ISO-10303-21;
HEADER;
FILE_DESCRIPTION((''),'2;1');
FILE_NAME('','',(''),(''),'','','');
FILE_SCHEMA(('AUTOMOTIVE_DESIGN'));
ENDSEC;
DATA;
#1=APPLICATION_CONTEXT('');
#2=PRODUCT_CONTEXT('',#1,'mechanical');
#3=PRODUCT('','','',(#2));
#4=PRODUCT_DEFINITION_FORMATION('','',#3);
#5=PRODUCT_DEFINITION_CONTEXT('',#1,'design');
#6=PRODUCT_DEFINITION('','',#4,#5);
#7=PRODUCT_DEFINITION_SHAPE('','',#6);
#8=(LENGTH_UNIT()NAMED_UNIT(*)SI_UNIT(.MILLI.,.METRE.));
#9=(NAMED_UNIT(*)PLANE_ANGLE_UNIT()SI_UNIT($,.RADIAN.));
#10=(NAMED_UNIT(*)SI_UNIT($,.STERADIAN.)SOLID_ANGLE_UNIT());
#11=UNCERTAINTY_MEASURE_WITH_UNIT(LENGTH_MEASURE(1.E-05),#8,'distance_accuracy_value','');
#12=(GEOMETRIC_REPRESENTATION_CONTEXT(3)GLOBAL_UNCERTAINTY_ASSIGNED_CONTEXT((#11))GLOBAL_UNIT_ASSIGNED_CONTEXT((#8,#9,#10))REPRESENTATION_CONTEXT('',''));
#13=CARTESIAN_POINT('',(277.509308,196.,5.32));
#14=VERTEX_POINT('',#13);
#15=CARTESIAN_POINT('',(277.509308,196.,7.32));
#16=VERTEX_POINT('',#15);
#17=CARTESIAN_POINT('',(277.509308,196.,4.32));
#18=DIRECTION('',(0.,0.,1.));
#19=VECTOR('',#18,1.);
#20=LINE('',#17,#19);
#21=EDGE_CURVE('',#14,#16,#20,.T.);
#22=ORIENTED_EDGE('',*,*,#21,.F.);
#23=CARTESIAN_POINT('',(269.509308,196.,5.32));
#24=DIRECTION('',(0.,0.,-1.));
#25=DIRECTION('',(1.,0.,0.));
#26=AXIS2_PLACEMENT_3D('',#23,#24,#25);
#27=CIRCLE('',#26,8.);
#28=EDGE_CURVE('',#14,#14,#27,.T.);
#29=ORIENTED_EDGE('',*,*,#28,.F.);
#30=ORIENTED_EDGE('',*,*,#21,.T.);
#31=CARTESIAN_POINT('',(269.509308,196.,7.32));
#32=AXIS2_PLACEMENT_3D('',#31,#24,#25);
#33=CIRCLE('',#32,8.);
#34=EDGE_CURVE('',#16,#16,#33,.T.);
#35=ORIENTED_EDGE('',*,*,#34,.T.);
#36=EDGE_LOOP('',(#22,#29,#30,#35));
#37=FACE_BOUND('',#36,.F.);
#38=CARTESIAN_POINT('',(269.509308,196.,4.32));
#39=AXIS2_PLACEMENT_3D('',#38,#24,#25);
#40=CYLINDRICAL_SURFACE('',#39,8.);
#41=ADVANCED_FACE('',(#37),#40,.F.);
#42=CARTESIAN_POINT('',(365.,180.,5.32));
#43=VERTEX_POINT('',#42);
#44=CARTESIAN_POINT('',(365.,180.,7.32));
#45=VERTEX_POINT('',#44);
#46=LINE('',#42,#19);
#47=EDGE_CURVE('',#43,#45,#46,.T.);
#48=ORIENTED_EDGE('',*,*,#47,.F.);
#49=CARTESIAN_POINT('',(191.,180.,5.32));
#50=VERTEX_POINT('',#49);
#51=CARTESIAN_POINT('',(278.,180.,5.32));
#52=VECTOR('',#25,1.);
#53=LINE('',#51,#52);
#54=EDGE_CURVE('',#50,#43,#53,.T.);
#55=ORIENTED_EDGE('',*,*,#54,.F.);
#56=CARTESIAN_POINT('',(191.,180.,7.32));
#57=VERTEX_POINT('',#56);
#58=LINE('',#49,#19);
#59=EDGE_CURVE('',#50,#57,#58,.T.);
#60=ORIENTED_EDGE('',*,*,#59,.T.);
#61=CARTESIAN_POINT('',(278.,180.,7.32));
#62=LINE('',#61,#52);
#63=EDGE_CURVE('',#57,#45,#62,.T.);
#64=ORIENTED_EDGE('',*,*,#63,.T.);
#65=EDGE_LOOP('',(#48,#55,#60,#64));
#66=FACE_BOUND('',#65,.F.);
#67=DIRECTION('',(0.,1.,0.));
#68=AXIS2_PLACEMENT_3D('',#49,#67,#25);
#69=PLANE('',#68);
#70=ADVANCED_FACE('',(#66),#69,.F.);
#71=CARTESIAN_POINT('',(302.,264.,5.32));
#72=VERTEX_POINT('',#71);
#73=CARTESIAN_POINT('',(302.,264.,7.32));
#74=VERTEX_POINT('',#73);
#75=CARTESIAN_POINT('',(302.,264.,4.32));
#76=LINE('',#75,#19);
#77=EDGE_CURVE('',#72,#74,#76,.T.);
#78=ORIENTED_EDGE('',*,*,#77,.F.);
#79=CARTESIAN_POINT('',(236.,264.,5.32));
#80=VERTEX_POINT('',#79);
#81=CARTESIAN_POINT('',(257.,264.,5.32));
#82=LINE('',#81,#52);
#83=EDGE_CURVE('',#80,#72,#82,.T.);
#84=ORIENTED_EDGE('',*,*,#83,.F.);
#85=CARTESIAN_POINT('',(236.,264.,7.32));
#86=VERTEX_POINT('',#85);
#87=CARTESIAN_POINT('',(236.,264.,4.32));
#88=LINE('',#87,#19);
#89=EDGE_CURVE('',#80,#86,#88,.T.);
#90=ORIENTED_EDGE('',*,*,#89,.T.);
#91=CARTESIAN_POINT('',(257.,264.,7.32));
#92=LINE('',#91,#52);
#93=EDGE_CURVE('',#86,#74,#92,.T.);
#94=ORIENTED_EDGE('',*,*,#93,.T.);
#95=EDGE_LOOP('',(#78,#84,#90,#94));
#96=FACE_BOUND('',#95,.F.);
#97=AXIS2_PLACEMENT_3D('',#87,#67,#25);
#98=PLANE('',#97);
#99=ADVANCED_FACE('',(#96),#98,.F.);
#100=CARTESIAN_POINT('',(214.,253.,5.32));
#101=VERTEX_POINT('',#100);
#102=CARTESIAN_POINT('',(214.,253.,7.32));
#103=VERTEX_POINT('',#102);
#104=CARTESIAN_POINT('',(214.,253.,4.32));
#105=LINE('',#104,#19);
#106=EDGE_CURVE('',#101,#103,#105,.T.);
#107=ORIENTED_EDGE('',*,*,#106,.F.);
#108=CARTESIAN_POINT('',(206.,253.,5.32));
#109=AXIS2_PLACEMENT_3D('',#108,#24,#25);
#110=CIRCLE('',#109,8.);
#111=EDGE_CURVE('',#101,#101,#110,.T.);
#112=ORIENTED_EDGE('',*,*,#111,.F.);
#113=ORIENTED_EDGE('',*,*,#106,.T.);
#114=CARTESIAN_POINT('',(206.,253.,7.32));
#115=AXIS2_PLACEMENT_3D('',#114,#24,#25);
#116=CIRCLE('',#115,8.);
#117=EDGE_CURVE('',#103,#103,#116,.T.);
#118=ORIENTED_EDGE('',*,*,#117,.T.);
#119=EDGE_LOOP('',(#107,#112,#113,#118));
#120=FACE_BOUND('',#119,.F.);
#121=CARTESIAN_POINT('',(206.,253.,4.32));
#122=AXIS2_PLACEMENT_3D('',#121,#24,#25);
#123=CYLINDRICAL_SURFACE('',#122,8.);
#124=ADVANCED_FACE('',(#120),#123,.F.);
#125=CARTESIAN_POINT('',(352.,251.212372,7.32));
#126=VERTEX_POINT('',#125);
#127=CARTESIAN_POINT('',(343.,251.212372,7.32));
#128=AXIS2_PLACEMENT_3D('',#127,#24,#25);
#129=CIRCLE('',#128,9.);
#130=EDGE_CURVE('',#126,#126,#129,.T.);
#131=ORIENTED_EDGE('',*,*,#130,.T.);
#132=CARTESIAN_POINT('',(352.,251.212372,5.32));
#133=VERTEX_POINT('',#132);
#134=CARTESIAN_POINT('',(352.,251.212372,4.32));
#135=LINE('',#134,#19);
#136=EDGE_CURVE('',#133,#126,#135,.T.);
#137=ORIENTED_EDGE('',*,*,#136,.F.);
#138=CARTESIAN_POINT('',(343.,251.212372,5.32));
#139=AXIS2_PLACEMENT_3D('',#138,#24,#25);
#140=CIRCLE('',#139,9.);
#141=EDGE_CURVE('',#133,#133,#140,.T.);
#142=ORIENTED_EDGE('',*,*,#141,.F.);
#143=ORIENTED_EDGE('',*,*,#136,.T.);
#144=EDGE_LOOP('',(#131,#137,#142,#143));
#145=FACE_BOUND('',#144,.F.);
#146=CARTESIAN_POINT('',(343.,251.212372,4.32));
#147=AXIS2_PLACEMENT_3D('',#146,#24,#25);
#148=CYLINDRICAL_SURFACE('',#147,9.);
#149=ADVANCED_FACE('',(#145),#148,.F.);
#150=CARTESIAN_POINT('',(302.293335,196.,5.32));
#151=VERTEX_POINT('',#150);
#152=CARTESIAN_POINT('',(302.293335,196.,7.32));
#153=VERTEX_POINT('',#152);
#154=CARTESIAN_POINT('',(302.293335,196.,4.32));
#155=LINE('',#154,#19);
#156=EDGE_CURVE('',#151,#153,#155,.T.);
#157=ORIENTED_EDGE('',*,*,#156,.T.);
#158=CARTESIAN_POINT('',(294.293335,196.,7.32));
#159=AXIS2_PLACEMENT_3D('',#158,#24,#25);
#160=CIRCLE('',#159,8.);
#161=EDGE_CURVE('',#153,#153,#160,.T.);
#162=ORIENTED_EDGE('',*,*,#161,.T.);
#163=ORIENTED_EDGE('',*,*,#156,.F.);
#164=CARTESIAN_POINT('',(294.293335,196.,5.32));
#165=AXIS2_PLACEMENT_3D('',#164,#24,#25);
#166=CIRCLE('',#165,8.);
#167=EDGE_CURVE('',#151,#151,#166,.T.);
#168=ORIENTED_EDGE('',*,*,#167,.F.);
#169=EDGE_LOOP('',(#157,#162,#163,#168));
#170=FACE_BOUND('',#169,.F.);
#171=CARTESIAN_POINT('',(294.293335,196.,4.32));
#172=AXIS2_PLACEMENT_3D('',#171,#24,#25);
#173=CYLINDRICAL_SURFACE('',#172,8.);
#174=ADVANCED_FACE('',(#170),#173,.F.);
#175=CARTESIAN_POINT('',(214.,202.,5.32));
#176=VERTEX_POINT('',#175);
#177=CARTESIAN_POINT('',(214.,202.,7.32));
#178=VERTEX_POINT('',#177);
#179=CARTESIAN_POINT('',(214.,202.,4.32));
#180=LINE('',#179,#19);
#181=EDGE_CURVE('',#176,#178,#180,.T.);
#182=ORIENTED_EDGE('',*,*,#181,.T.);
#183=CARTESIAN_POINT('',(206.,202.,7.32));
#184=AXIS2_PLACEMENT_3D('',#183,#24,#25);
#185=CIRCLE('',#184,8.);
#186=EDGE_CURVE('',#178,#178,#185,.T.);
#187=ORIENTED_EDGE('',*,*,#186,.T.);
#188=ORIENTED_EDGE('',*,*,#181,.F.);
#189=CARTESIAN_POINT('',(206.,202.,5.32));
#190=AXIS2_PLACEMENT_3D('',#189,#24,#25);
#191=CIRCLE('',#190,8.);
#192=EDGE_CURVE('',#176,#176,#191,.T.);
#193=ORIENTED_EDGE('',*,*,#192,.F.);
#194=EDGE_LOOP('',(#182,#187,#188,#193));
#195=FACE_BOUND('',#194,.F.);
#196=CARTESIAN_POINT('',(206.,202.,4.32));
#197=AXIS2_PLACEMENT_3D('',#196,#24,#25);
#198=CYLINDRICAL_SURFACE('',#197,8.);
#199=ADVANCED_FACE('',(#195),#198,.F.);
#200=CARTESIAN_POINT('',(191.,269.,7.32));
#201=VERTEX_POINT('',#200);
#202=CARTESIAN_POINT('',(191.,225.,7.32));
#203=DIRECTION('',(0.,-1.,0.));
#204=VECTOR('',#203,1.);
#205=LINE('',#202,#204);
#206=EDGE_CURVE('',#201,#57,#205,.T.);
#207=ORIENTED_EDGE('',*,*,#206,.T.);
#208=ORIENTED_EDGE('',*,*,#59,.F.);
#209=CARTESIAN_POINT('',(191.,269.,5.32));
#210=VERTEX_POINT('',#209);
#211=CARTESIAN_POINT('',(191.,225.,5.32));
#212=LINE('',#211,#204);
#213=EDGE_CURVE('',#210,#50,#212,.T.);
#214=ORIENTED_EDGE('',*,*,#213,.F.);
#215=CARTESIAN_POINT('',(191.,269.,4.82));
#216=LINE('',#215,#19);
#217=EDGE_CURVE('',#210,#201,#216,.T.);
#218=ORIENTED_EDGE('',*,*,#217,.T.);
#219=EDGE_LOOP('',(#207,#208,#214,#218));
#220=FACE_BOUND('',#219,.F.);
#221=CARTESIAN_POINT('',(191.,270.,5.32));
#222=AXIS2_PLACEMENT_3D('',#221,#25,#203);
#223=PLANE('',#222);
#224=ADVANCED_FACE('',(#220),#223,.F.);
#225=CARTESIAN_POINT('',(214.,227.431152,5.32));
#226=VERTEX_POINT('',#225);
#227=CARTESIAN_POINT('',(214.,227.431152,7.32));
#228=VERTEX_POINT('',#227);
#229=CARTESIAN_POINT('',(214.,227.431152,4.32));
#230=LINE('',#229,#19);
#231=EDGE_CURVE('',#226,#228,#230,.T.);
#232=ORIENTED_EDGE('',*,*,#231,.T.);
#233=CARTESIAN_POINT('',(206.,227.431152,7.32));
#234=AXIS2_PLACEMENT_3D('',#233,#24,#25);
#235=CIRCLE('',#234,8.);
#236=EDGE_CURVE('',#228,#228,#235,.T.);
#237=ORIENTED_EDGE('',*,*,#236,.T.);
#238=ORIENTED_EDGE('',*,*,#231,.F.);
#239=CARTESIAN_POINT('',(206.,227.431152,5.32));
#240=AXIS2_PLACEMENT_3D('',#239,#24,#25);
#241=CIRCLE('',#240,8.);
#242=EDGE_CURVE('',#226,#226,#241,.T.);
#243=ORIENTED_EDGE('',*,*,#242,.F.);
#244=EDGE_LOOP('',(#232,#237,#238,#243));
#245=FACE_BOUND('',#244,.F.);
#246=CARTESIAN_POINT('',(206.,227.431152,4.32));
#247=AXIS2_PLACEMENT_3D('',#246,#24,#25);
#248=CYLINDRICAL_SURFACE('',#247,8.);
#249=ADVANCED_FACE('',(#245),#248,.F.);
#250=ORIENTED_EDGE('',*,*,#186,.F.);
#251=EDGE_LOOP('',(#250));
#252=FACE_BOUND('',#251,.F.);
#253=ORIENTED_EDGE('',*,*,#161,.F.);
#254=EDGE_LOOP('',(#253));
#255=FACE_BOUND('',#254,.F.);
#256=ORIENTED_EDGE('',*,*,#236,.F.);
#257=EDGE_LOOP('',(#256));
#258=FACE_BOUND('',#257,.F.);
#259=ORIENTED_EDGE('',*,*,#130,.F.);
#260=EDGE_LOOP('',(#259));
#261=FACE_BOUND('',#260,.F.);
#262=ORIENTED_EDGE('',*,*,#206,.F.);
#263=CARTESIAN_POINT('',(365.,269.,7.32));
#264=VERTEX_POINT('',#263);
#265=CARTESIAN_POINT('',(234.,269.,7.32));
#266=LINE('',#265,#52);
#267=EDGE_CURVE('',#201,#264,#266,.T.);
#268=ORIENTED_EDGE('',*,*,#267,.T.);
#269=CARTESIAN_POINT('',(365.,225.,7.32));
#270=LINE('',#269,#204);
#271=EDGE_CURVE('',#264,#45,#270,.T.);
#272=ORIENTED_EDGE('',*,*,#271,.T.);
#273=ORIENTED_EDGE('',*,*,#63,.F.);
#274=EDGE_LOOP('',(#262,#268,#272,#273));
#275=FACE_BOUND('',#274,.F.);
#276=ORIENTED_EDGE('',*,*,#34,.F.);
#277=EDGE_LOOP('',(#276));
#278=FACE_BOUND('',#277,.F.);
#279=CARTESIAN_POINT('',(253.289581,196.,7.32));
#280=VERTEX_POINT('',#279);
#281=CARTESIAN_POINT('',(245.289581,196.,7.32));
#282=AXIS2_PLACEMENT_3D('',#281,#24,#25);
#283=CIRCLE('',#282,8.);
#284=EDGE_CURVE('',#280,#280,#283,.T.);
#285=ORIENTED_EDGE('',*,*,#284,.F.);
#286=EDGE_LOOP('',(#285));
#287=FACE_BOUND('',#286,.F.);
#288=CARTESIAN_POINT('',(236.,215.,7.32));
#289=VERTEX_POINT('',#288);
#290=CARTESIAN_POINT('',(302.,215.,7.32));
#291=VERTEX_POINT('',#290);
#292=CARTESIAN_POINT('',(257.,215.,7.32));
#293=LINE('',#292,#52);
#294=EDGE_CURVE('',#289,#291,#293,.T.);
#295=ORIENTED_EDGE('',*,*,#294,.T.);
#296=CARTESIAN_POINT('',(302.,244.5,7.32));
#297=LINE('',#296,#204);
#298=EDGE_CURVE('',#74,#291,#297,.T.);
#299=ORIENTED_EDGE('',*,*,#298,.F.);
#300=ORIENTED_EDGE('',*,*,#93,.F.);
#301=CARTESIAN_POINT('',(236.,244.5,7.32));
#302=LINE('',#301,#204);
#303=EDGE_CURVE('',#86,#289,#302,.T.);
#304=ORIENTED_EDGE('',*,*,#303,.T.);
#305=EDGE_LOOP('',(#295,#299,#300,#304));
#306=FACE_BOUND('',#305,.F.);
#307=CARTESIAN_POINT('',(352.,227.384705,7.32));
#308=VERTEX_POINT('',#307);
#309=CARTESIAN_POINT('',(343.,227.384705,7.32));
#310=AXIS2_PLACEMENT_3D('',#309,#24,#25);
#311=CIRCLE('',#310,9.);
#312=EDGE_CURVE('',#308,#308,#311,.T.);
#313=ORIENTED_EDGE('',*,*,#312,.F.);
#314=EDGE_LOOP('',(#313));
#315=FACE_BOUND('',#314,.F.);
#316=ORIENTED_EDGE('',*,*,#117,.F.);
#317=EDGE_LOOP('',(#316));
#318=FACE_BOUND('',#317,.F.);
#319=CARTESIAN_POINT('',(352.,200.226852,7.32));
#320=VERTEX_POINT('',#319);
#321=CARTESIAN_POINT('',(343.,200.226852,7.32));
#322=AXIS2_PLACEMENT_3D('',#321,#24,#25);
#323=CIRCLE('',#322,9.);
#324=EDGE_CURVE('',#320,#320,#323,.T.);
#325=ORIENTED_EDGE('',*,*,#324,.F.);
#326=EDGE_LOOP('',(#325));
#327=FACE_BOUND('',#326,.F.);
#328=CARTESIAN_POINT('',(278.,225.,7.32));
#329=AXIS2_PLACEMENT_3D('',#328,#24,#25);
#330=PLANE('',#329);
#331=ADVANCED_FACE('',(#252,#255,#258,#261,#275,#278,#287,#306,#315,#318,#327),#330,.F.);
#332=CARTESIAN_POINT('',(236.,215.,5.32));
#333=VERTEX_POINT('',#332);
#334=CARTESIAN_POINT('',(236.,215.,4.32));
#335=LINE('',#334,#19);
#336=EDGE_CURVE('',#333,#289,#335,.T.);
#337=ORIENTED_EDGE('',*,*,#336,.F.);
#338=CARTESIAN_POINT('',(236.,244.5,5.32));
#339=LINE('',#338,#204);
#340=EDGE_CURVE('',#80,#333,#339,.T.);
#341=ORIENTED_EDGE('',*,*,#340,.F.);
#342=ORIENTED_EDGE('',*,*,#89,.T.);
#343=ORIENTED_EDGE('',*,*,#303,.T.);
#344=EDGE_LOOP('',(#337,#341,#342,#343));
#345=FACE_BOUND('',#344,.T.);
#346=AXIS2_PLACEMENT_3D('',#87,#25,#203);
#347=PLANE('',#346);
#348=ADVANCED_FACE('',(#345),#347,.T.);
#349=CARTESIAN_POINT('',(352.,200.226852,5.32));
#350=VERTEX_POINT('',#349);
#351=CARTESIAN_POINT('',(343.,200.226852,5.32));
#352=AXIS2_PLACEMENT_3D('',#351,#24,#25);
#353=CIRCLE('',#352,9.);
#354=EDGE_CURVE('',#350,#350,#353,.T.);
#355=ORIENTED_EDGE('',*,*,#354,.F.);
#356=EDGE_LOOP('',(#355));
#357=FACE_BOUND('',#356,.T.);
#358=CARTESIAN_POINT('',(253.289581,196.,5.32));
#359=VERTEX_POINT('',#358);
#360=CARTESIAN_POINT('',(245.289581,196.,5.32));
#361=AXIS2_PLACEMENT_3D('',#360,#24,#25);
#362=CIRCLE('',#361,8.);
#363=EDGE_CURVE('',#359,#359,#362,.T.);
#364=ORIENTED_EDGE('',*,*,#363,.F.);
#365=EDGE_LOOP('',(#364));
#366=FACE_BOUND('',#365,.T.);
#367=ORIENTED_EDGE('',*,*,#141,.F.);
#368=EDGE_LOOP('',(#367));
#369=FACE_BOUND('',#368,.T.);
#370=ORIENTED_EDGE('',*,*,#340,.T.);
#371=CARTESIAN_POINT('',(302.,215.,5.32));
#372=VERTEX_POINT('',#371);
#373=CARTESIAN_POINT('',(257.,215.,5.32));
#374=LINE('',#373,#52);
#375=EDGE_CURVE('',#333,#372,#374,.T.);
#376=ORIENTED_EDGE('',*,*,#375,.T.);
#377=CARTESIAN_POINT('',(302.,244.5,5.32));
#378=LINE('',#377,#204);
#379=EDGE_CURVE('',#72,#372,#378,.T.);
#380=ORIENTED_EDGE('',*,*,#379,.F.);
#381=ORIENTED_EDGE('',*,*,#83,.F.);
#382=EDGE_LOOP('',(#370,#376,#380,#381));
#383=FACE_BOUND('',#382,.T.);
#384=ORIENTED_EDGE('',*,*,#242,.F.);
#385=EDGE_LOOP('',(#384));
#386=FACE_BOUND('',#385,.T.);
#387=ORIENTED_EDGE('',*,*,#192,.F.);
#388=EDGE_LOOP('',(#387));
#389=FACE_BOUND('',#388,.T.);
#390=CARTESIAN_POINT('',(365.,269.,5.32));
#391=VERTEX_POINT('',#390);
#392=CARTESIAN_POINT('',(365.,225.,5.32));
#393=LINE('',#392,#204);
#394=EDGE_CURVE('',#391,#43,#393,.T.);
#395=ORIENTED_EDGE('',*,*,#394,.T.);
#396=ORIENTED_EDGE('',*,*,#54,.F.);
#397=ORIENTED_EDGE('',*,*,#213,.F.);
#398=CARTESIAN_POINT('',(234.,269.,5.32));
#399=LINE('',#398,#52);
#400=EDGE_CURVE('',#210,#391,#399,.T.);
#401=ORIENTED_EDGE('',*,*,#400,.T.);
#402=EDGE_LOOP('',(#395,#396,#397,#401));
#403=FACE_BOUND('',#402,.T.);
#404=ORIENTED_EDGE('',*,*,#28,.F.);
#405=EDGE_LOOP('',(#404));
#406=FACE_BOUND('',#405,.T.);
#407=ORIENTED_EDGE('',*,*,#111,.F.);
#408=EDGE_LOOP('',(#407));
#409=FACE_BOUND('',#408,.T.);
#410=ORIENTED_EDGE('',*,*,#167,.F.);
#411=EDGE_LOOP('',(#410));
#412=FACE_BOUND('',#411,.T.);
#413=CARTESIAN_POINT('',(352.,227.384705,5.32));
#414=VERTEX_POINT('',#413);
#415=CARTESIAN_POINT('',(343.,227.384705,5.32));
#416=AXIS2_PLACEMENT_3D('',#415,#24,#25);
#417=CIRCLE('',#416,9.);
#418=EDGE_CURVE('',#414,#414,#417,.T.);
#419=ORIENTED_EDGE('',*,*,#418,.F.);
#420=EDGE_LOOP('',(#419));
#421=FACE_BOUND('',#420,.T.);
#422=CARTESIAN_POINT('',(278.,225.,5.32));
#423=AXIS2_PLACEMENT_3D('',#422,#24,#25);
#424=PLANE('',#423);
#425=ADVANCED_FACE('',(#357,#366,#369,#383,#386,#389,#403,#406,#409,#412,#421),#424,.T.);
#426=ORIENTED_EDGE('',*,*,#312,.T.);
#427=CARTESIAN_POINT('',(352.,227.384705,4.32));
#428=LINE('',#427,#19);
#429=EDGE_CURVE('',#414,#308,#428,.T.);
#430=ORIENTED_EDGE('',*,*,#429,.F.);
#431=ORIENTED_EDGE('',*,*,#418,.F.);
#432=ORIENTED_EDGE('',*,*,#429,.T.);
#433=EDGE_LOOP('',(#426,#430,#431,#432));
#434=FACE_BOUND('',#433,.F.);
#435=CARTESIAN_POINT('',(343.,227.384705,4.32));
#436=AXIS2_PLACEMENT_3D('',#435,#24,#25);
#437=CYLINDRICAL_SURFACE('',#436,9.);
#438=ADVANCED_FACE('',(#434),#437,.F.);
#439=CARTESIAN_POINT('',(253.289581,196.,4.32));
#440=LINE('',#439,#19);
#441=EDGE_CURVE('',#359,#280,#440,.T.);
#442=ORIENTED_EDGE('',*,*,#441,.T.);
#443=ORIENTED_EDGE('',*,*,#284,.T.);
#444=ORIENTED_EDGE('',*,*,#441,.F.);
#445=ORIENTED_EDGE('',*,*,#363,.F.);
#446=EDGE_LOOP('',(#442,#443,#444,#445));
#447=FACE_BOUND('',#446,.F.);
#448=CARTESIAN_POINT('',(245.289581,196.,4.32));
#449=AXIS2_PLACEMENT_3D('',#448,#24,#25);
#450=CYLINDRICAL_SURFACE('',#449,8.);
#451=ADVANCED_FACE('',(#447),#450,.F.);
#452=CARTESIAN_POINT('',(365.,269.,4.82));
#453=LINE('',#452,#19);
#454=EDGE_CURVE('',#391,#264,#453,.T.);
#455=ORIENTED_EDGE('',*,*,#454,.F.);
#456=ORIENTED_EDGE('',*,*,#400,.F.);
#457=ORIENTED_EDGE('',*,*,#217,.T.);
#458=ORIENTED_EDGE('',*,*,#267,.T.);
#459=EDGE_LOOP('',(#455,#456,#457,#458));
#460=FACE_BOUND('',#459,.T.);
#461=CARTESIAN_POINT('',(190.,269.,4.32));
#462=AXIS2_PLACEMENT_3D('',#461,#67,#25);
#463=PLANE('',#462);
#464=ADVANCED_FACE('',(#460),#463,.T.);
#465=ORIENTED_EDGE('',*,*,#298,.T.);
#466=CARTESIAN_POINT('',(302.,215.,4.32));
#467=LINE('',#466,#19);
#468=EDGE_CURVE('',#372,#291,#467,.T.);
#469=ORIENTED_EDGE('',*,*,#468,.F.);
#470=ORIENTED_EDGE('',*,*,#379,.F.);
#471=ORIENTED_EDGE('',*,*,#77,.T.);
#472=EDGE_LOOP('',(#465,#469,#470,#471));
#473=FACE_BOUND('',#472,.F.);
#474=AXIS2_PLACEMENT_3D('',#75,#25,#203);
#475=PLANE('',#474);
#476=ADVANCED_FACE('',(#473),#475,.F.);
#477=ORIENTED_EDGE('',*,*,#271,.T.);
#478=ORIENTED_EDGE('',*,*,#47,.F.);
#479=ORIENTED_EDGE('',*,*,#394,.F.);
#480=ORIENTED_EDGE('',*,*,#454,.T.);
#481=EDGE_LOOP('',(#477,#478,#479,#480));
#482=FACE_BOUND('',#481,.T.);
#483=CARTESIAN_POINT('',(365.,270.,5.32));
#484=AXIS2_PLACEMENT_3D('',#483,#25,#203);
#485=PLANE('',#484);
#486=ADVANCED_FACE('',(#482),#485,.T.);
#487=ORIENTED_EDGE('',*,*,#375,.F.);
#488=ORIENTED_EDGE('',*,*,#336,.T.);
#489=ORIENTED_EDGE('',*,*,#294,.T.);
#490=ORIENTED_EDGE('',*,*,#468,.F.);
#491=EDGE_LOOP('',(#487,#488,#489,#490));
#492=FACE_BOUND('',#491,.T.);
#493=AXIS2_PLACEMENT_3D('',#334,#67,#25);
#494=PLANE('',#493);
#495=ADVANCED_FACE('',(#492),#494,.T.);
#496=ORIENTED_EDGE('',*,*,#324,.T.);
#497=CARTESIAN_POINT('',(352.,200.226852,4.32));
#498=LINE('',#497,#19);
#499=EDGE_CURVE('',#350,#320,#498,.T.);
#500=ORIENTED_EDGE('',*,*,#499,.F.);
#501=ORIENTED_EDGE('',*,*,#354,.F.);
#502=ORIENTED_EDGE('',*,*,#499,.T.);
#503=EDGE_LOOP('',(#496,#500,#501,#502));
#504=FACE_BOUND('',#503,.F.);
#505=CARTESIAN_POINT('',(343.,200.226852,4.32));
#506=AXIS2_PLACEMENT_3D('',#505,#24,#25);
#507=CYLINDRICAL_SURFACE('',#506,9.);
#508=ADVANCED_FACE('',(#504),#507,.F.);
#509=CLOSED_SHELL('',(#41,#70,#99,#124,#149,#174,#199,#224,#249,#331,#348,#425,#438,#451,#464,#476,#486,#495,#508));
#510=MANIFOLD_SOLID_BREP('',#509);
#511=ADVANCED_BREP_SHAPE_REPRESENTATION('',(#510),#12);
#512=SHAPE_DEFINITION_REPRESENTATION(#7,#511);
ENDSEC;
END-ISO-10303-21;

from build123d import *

# Parameters (mm, degrees)
SKETCH153_W      = 176
SKETCH153_H      = 2.5
EXTRUDE139_DEPTH = 4
SKETCH163_R      = 8
SKETCH163_R_2    = 9
EXTRUDE145_DEPTH = 4
SKETCH034_W      = 66
SKETCH034_H      = 49
EXTRUDE028_DEPTH = 4
SKETCH148_W      = 174
SKETCH148_H      = 90
EXTRUDE136_DEPTH = 2


with BuildPart() as clamshell:
    # Sketch153 → Extrude139 (new body)
    with BuildSketch(Plane(origin=(0, 0, 4.32), x_dir=(1, 0, 0), z_dir=(0, 0, -1))):
        with Locations((278, -270.25)):
            Rectangle(SKETCH153_W, SKETCH153_H)
    extrude(amount=-EXTRUDE139_DEPTH)


with BuildPart() as extrude145:
    # Sketch163 → Extrude145 (new body)
    with BuildSketch(Plane(origin=(0, 0, 4.32), x_dir=(1, 0, 0), z_dir=(0, 0, -1))):
        with Locations((206, -202)):
            Circle(SKETCH163_R)
        with Locations((206, -227.431152)):
            Circle(SKETCH163_R)
        with Locations((206, -253)):
            Circle(SKETCH163_R)
        with Locations((343, -200.226852)):
            Circle(SKETCH163_R_2)
        with Locations((343, -227.384705)):
            Circle(SKETCH163_R_2)
        with Locations((343, -251.212372)):
            Circle(SKETCH163_R_2)
        with Locations((245.289581, -196)):
            Circle(SKETCH163_R)
        with Locations((269.509308, -196)):
            Circle(SKETCH163_R)
        with Locations((294.293335, -196)):
            Circle(SKETCH163_R)
    extrude(amount=-EXTRUDE145_DEPTH)


with BuildPart() as bottom_holes:
    # Sketch034 → Extrude028 (new body)
    with BuildSketch(Plane(origin=(0, 0, 4.32), x_dir=(1, 0, 0), z_dir=(0, 0, -1))):
        with Locations((269, -239.5)):
            Rectangle(SKETCH034_W, SKETCH034_H)
    extrude(amount=-EXTRUDE028_DEPTH)

    # Compound007: union clamshell, Extrude145
    add(clamshell.part)
    add(extrude145.part)


with BuildPart() as floor001:
    # Sketch148 → Extrude136 (new body)
    with BuildSketch(Plane(origin=(0, 0, 5.32), x_dir=(1, 0, 0), z_dir=(0, 0, -1))):
        with Locations((278, -225)):
            Rectangle(SKETCH148_W, SKETCH148_H)
    extrude(amount=-EXTRUDE136_DEPTH)

    # Cut008: cut bottom holes
    add(bottom_holes.part, mode=Mode.SUBTRACT)


solid = floor001.part
